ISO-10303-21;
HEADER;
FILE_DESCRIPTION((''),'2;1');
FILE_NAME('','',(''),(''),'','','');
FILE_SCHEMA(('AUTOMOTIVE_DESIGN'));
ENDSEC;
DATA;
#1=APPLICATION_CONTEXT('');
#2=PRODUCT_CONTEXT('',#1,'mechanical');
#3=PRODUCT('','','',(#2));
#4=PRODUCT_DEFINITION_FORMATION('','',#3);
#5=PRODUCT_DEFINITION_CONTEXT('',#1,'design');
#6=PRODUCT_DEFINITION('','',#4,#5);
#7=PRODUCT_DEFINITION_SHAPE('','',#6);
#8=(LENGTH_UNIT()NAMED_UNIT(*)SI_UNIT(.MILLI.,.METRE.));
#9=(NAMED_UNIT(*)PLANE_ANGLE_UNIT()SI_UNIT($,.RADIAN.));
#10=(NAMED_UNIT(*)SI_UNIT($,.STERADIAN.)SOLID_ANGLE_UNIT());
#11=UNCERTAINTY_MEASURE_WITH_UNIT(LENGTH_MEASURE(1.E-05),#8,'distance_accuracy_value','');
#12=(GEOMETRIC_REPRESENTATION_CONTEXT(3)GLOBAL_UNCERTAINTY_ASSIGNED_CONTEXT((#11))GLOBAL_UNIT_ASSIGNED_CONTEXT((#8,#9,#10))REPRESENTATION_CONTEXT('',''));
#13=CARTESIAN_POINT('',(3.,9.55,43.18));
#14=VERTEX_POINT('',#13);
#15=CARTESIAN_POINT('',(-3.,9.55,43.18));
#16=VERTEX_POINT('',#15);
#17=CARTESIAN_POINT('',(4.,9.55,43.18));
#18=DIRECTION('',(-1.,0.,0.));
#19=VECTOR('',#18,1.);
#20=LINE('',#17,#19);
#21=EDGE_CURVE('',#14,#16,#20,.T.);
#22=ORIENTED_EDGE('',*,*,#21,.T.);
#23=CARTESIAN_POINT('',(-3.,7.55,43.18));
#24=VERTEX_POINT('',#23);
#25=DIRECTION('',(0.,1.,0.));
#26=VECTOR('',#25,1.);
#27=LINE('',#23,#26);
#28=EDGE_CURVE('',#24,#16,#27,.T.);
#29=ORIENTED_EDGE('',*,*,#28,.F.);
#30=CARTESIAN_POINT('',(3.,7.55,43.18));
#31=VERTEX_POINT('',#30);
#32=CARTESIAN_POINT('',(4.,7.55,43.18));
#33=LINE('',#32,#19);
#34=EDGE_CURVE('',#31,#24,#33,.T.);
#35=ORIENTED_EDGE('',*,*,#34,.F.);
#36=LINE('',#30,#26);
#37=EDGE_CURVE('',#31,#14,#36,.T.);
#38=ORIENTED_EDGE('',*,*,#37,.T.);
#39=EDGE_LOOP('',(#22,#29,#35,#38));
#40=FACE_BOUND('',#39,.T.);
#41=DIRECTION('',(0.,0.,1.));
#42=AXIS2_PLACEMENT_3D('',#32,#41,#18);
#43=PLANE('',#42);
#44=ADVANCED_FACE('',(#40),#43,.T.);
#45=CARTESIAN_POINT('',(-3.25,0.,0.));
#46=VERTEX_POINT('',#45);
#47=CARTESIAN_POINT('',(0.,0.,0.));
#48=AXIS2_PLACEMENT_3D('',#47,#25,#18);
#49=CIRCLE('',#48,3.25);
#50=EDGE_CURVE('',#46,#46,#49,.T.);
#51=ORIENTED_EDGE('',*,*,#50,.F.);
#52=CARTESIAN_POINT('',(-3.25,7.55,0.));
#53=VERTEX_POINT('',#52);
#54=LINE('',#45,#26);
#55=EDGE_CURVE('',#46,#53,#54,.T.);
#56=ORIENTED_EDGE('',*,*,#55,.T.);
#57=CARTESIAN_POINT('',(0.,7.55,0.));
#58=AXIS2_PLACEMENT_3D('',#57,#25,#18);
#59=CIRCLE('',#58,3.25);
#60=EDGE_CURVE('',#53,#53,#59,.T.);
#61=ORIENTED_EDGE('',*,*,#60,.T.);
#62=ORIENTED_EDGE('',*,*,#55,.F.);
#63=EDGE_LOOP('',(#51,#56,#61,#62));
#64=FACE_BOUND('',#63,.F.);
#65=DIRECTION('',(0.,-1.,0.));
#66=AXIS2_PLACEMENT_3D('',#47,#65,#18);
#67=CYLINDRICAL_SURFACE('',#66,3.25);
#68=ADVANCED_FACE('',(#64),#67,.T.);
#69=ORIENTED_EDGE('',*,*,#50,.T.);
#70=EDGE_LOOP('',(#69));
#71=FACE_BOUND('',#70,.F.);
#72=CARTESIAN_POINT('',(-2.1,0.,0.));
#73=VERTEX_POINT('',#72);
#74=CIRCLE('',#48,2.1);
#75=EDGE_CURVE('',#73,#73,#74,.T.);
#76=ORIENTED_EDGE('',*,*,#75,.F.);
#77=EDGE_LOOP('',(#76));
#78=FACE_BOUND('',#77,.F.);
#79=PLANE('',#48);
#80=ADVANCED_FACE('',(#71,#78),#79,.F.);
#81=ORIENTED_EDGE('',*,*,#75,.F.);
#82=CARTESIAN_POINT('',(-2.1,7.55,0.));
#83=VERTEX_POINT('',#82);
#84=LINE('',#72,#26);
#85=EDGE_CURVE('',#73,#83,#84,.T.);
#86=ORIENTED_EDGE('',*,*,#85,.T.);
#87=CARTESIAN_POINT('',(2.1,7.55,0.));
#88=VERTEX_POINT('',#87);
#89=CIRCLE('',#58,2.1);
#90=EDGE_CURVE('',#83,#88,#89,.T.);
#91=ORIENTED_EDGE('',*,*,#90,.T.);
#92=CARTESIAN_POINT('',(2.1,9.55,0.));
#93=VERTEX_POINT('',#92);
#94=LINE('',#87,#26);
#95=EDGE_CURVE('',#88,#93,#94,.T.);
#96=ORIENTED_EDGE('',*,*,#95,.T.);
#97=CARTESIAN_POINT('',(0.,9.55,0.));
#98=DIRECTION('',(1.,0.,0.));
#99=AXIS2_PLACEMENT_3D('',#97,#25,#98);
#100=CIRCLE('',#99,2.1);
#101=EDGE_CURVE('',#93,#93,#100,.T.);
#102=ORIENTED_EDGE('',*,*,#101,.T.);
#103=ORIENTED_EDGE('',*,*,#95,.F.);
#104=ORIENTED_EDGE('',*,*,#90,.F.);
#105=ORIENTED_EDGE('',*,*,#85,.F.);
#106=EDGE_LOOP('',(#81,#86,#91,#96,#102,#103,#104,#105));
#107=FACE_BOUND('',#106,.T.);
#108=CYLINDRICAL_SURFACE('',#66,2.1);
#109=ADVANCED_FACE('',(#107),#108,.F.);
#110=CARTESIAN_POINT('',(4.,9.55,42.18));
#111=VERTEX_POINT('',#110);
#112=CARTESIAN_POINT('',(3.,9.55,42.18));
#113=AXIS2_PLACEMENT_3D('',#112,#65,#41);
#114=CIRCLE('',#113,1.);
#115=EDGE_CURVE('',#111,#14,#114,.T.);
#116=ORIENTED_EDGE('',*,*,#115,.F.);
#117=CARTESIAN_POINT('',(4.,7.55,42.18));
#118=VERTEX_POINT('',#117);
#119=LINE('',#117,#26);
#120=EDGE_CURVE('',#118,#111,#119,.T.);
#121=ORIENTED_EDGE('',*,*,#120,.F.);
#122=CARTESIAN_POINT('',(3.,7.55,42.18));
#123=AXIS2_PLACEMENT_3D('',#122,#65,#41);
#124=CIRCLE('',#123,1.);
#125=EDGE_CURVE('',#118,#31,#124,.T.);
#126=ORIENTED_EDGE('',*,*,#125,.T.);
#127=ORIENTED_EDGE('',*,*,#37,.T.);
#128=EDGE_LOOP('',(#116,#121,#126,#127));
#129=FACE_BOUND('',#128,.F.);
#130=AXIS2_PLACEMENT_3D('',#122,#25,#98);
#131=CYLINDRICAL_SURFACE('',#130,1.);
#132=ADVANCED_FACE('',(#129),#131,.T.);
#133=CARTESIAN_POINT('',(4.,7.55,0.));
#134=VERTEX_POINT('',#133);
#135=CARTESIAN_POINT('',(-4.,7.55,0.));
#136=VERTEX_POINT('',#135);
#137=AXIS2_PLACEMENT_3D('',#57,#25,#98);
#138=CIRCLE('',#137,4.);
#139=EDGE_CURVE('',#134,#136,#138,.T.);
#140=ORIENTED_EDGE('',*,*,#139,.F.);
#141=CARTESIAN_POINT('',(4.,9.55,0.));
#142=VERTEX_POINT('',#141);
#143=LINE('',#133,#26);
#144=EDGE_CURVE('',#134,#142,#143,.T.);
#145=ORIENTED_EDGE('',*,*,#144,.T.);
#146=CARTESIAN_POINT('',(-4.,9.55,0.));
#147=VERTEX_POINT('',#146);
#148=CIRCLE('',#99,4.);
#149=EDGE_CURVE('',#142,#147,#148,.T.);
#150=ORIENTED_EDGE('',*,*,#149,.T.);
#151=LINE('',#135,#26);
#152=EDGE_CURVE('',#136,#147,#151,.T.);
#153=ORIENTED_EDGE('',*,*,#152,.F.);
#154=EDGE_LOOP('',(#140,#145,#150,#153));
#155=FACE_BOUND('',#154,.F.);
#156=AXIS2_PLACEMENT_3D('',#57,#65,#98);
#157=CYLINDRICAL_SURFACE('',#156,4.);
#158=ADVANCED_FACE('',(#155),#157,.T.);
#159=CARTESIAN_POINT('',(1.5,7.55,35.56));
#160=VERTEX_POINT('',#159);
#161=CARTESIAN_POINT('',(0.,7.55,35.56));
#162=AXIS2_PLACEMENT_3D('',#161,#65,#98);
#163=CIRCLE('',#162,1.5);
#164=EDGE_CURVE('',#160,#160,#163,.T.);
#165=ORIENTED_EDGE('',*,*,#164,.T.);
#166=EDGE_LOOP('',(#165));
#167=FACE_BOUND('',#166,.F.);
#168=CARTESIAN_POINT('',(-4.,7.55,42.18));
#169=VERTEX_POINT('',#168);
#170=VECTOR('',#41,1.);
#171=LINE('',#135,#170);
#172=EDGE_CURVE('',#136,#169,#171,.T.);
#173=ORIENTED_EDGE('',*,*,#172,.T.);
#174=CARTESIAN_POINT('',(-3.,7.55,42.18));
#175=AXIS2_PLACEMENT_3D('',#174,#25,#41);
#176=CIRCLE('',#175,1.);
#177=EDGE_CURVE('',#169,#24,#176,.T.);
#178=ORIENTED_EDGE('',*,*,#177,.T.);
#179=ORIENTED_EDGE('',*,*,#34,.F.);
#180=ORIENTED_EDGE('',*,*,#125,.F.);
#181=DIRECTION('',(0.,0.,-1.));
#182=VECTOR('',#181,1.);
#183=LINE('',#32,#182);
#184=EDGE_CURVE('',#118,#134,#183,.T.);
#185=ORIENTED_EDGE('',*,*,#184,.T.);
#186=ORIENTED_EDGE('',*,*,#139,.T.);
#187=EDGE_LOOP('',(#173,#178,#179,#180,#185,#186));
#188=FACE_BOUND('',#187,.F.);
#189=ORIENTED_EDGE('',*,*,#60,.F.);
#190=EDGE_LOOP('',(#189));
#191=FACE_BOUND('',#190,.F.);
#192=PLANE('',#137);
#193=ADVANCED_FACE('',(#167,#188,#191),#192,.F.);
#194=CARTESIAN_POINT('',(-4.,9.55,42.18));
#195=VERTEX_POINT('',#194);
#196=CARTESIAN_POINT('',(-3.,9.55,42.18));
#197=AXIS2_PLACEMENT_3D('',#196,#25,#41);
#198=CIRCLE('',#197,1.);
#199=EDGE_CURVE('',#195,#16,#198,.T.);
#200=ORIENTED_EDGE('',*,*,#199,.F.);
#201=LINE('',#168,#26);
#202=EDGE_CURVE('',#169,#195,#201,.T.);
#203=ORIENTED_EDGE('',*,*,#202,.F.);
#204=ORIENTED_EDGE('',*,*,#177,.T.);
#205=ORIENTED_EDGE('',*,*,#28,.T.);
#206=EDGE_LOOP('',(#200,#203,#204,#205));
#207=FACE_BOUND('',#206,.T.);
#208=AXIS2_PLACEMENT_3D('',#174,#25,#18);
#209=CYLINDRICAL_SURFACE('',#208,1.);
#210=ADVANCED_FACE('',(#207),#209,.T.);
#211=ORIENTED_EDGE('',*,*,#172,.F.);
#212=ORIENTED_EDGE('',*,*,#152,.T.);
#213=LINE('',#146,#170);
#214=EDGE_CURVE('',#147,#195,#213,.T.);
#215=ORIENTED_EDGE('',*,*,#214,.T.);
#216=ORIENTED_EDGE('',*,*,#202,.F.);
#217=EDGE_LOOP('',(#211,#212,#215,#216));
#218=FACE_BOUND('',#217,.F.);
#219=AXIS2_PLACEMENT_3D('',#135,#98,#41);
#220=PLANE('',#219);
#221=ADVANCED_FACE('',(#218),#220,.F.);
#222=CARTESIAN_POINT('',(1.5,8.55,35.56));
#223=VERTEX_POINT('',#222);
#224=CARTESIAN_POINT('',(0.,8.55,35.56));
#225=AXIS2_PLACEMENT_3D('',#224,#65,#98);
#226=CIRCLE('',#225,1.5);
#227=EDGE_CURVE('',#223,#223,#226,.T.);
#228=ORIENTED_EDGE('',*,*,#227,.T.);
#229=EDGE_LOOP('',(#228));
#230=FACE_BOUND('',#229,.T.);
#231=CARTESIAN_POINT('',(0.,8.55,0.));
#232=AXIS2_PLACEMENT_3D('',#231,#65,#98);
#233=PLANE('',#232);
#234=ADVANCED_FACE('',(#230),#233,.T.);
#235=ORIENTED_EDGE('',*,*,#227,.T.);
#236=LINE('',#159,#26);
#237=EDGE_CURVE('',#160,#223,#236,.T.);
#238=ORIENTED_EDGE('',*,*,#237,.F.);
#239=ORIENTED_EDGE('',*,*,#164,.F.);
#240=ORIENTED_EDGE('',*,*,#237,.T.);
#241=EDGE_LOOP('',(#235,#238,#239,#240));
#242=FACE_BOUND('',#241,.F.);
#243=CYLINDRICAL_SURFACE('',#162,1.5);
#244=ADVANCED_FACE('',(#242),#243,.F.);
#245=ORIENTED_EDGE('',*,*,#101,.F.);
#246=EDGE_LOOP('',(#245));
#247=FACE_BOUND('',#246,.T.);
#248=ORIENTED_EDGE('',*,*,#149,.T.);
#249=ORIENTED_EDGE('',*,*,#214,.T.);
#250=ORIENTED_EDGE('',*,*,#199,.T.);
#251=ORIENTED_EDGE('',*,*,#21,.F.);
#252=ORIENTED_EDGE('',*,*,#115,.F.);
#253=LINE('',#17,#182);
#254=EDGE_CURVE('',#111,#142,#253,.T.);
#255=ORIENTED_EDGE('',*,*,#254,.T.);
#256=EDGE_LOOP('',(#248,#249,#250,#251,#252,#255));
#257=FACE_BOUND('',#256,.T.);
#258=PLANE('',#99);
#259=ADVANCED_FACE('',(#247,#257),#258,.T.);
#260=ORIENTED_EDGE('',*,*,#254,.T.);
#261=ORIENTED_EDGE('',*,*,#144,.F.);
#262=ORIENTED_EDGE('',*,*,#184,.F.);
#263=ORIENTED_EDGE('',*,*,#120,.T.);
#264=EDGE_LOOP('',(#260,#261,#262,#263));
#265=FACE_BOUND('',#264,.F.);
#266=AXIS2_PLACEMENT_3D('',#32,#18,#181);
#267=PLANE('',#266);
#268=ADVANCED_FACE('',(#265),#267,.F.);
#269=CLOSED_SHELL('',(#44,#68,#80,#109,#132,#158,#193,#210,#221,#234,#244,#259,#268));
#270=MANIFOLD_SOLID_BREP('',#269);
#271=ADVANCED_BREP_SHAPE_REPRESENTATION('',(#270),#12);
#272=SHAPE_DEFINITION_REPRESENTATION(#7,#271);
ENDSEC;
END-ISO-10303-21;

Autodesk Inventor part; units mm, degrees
ref_plane "YZ Plane" through (0, 0, 0) normal (1, 0, 0) x (0, 1, 0)
ref_plane "XZ Plane" through (0, 0, 0) normal (0, 1, 0) x (-1, 0, 0)
ref_plane "XY Plane" through (0, 0, 0) normal (0, 0, 1) x (1, 0, 0)
sketch "Sketch1" plane through (0, 0, 0) normal (0, 1, 0) x (-1, 0, 0)
  circle A0 centre (0, 0) radius 3.25
  circle A1 centre (0, 0) radius 2.1
  dimension "d0" = 6.5
  dimension "d1" = 4.2
extrude "Extrusion1" add sketch "Sketch1" along normal blind 7.55
sketch "Sketch2" plane through (0, 7.55, 0) normal (0, 1, 0) x (1, 0, 0)
  line L0 (0, 0) -> (0, -43.18) construction
  line L1 (-4, 0) -> (-4, -43.18)
  line L2 (4, -43.18) -> (4, 0)
  arc A0 (4, 0) -> (-4, 0) centre (0, 0) ccw
  line L3 (4, -43.18) -> (-4, -43.18)
  circle A1 centre (0, 0) radius 2.1 projected
  point P0 (0, -21.59)
  dimension "d6" = 4
  dimension "d7" = 43.18
extrude "Extrusion2" add sketch "Sketch2" along normal blind 2
sketch "Sketch3" plane through (0, 7.55, 0) normal (0, -1, 0) x (1, 0, 0)
  circle A0 centre (0, 35.56) radius 1.5
  circle A1 centre (0, 0) radius 3.25 projected
  dimension "d11" = 3
  dimension "d12" = 35.56
extrude "Extrusion3" cut sketch "Sketch3" against normal blind 1 contours A0
fillet "Fillet1" radius 1 2 edges at (-4, 8.55, 43.18) (4, 8.55, 43.18)
properties part number "CC-bottomHand" material "ABS Plastic"
